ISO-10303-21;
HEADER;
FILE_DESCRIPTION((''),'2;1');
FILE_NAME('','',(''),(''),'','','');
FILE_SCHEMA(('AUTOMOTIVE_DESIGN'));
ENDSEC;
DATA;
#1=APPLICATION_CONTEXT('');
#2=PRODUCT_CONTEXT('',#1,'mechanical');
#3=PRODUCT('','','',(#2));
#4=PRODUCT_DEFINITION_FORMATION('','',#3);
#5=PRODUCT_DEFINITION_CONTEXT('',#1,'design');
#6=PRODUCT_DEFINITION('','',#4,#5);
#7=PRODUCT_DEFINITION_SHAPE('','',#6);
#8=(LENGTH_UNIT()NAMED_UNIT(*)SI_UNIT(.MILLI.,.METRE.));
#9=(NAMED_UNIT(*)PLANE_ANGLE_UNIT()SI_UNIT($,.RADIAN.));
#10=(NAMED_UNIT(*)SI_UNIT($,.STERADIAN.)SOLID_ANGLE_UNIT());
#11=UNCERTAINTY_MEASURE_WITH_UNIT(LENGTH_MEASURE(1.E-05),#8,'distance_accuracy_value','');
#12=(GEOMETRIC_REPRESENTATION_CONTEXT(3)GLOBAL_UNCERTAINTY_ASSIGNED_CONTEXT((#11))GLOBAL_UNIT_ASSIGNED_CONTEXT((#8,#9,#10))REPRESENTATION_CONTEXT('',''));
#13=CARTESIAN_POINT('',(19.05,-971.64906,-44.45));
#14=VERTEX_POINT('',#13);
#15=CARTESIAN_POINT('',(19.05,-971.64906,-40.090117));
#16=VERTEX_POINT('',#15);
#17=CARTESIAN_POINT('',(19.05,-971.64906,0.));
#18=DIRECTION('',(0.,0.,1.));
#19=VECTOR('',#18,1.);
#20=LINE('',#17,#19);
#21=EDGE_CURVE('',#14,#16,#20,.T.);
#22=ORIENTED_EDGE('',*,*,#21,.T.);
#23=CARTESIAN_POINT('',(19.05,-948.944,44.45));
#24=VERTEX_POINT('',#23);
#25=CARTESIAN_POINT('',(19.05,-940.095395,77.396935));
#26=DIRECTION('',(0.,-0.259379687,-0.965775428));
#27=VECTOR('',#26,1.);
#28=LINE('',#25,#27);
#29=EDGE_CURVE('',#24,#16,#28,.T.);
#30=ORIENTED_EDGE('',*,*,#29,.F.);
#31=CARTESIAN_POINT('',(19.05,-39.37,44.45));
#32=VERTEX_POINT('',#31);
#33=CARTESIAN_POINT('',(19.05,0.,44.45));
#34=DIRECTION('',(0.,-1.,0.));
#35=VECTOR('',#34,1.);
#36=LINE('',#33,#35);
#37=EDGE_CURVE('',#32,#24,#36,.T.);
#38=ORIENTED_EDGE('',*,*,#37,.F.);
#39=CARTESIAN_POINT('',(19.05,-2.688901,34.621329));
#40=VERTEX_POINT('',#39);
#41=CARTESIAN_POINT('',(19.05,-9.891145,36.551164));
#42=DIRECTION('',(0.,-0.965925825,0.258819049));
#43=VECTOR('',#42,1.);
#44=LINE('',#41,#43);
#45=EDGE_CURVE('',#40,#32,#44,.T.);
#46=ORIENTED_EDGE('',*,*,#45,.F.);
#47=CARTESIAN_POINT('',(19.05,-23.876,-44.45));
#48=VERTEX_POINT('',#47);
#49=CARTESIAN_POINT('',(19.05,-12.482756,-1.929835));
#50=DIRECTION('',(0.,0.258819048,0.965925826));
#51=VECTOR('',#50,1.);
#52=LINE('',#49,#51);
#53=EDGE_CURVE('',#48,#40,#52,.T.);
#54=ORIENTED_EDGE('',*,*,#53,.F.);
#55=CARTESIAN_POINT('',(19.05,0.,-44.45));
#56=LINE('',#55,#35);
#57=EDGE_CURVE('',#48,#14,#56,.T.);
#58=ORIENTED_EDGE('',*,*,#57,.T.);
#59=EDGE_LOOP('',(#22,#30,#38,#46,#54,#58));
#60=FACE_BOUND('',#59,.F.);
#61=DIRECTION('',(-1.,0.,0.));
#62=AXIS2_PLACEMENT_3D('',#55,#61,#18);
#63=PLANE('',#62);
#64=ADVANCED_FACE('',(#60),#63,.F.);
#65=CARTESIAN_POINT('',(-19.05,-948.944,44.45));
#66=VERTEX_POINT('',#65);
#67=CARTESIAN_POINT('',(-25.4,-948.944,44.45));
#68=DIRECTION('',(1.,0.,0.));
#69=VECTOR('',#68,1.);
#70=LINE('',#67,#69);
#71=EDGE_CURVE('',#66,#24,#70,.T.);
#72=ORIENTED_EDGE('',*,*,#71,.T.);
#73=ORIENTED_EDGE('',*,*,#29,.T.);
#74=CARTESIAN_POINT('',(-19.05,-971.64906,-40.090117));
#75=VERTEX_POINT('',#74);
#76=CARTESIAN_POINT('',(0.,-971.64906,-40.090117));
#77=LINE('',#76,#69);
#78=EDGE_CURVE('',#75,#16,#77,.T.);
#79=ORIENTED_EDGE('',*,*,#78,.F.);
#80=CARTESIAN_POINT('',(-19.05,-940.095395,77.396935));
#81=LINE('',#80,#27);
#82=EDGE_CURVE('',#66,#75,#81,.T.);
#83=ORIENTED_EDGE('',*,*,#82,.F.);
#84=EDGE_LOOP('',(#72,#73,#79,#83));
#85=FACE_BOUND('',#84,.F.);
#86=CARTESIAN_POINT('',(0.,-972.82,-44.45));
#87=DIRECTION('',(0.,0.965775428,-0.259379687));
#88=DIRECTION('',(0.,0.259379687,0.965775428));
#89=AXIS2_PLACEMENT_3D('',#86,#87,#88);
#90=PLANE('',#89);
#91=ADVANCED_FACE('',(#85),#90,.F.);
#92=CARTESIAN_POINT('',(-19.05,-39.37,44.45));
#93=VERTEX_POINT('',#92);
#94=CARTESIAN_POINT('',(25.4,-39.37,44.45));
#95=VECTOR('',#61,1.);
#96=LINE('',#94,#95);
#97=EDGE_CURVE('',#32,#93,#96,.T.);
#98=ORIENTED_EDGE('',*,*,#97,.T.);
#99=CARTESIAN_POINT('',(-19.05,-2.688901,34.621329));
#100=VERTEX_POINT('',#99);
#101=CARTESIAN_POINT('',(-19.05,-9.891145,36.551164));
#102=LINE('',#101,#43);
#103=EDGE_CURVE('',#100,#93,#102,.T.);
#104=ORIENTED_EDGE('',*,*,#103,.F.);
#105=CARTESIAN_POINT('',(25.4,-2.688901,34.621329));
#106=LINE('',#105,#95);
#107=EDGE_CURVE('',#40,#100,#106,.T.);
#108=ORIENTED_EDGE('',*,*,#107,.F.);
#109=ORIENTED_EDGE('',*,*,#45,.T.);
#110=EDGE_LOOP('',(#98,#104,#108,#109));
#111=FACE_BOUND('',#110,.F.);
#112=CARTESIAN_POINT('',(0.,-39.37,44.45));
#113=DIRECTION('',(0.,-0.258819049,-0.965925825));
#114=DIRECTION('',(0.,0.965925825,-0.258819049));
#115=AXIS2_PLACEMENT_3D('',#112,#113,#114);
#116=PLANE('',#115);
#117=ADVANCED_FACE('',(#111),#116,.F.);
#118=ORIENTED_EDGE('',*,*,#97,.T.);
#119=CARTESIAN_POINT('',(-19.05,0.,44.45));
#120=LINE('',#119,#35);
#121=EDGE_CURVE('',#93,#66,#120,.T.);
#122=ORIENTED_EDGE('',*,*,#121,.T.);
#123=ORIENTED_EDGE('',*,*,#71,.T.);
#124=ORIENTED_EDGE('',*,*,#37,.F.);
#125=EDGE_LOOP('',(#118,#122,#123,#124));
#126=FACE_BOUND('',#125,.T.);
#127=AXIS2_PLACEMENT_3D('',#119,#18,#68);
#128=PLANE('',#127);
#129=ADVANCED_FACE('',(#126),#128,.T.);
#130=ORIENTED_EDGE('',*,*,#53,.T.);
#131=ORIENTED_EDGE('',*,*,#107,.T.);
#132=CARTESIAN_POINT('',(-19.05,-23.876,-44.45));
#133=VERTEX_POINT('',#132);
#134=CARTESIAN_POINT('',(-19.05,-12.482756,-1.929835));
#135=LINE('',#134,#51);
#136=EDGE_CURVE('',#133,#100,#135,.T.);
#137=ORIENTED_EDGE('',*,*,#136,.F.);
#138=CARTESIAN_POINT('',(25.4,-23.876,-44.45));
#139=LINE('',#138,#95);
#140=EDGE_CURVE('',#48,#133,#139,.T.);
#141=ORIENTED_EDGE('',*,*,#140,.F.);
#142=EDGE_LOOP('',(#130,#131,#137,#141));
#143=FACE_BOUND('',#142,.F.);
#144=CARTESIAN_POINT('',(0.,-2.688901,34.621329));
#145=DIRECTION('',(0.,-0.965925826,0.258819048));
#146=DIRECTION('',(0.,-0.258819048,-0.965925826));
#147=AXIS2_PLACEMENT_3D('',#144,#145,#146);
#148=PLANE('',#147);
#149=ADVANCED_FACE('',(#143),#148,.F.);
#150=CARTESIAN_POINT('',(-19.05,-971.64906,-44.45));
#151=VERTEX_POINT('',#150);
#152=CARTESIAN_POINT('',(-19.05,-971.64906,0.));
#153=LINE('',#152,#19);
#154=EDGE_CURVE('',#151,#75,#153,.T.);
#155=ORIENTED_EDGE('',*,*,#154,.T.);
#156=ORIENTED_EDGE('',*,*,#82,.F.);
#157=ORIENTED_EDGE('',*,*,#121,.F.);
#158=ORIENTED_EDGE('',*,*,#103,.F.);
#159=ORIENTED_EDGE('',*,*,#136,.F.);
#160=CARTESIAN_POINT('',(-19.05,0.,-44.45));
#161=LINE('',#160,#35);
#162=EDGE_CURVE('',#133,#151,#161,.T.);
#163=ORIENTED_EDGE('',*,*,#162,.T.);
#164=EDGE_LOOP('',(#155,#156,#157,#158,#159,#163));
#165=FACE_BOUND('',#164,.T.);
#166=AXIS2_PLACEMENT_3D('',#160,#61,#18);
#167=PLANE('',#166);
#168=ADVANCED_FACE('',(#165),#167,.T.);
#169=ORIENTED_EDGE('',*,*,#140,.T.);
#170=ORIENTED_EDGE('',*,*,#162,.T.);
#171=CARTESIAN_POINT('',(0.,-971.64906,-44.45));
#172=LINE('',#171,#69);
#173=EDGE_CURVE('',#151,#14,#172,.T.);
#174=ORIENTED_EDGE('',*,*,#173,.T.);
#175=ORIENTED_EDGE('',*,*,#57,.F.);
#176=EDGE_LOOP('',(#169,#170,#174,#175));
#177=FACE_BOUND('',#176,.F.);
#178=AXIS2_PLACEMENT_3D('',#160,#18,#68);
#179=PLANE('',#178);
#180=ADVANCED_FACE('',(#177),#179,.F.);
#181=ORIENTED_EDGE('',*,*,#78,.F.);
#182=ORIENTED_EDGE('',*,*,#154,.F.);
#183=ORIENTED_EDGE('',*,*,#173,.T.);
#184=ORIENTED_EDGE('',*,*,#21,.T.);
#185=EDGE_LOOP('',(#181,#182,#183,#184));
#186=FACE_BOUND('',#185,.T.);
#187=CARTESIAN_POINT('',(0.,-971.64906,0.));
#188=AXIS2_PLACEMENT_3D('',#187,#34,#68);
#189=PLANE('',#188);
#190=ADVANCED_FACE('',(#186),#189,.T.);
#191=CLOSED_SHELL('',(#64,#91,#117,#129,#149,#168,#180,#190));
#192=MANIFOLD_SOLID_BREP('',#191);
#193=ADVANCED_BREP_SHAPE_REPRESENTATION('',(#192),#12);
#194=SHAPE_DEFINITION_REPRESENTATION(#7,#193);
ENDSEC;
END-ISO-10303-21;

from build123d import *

# Parameters (mm, degrees)
F0_W     = 38.1
F0_H     = 88.9
F1_DEPTH = 971.64906
F3_DEPTH = 25.4
F5_DEPTH = 25.4


with BuildPart() as f1:
    # F0 (on Front) → F1 (new body)
    with BuildSketch(Plane.XZ):
        Rectangle(F0_W, F0_H)
    extrude(amount=F1_DEPTH)

    # F2 (on Right) → F3 (cut, symmetric)
    with BuildSketch(Plane.YZ):
        Polygon((-972.82, -44.45), (-948.944, 44.45), (-972.82, 44.45), align=None)
    extrude(amount=F3_DEPTH, both=True, mode=Mode.SUBTRACT)

    # F4 (on Right) → F5 (cut, symmetric)
    with BuildSketch(Plane.YZ):
        Polygon((-23.876, -44.45), (0, -44.45), (0, 44.45), (-39.37, 44.45), (-2.688901, 34.621329), align=None)
    extrude(amount=F5_DEPTH, both=True, mode=Mode.SUBTRACT)


solid = f1.part
